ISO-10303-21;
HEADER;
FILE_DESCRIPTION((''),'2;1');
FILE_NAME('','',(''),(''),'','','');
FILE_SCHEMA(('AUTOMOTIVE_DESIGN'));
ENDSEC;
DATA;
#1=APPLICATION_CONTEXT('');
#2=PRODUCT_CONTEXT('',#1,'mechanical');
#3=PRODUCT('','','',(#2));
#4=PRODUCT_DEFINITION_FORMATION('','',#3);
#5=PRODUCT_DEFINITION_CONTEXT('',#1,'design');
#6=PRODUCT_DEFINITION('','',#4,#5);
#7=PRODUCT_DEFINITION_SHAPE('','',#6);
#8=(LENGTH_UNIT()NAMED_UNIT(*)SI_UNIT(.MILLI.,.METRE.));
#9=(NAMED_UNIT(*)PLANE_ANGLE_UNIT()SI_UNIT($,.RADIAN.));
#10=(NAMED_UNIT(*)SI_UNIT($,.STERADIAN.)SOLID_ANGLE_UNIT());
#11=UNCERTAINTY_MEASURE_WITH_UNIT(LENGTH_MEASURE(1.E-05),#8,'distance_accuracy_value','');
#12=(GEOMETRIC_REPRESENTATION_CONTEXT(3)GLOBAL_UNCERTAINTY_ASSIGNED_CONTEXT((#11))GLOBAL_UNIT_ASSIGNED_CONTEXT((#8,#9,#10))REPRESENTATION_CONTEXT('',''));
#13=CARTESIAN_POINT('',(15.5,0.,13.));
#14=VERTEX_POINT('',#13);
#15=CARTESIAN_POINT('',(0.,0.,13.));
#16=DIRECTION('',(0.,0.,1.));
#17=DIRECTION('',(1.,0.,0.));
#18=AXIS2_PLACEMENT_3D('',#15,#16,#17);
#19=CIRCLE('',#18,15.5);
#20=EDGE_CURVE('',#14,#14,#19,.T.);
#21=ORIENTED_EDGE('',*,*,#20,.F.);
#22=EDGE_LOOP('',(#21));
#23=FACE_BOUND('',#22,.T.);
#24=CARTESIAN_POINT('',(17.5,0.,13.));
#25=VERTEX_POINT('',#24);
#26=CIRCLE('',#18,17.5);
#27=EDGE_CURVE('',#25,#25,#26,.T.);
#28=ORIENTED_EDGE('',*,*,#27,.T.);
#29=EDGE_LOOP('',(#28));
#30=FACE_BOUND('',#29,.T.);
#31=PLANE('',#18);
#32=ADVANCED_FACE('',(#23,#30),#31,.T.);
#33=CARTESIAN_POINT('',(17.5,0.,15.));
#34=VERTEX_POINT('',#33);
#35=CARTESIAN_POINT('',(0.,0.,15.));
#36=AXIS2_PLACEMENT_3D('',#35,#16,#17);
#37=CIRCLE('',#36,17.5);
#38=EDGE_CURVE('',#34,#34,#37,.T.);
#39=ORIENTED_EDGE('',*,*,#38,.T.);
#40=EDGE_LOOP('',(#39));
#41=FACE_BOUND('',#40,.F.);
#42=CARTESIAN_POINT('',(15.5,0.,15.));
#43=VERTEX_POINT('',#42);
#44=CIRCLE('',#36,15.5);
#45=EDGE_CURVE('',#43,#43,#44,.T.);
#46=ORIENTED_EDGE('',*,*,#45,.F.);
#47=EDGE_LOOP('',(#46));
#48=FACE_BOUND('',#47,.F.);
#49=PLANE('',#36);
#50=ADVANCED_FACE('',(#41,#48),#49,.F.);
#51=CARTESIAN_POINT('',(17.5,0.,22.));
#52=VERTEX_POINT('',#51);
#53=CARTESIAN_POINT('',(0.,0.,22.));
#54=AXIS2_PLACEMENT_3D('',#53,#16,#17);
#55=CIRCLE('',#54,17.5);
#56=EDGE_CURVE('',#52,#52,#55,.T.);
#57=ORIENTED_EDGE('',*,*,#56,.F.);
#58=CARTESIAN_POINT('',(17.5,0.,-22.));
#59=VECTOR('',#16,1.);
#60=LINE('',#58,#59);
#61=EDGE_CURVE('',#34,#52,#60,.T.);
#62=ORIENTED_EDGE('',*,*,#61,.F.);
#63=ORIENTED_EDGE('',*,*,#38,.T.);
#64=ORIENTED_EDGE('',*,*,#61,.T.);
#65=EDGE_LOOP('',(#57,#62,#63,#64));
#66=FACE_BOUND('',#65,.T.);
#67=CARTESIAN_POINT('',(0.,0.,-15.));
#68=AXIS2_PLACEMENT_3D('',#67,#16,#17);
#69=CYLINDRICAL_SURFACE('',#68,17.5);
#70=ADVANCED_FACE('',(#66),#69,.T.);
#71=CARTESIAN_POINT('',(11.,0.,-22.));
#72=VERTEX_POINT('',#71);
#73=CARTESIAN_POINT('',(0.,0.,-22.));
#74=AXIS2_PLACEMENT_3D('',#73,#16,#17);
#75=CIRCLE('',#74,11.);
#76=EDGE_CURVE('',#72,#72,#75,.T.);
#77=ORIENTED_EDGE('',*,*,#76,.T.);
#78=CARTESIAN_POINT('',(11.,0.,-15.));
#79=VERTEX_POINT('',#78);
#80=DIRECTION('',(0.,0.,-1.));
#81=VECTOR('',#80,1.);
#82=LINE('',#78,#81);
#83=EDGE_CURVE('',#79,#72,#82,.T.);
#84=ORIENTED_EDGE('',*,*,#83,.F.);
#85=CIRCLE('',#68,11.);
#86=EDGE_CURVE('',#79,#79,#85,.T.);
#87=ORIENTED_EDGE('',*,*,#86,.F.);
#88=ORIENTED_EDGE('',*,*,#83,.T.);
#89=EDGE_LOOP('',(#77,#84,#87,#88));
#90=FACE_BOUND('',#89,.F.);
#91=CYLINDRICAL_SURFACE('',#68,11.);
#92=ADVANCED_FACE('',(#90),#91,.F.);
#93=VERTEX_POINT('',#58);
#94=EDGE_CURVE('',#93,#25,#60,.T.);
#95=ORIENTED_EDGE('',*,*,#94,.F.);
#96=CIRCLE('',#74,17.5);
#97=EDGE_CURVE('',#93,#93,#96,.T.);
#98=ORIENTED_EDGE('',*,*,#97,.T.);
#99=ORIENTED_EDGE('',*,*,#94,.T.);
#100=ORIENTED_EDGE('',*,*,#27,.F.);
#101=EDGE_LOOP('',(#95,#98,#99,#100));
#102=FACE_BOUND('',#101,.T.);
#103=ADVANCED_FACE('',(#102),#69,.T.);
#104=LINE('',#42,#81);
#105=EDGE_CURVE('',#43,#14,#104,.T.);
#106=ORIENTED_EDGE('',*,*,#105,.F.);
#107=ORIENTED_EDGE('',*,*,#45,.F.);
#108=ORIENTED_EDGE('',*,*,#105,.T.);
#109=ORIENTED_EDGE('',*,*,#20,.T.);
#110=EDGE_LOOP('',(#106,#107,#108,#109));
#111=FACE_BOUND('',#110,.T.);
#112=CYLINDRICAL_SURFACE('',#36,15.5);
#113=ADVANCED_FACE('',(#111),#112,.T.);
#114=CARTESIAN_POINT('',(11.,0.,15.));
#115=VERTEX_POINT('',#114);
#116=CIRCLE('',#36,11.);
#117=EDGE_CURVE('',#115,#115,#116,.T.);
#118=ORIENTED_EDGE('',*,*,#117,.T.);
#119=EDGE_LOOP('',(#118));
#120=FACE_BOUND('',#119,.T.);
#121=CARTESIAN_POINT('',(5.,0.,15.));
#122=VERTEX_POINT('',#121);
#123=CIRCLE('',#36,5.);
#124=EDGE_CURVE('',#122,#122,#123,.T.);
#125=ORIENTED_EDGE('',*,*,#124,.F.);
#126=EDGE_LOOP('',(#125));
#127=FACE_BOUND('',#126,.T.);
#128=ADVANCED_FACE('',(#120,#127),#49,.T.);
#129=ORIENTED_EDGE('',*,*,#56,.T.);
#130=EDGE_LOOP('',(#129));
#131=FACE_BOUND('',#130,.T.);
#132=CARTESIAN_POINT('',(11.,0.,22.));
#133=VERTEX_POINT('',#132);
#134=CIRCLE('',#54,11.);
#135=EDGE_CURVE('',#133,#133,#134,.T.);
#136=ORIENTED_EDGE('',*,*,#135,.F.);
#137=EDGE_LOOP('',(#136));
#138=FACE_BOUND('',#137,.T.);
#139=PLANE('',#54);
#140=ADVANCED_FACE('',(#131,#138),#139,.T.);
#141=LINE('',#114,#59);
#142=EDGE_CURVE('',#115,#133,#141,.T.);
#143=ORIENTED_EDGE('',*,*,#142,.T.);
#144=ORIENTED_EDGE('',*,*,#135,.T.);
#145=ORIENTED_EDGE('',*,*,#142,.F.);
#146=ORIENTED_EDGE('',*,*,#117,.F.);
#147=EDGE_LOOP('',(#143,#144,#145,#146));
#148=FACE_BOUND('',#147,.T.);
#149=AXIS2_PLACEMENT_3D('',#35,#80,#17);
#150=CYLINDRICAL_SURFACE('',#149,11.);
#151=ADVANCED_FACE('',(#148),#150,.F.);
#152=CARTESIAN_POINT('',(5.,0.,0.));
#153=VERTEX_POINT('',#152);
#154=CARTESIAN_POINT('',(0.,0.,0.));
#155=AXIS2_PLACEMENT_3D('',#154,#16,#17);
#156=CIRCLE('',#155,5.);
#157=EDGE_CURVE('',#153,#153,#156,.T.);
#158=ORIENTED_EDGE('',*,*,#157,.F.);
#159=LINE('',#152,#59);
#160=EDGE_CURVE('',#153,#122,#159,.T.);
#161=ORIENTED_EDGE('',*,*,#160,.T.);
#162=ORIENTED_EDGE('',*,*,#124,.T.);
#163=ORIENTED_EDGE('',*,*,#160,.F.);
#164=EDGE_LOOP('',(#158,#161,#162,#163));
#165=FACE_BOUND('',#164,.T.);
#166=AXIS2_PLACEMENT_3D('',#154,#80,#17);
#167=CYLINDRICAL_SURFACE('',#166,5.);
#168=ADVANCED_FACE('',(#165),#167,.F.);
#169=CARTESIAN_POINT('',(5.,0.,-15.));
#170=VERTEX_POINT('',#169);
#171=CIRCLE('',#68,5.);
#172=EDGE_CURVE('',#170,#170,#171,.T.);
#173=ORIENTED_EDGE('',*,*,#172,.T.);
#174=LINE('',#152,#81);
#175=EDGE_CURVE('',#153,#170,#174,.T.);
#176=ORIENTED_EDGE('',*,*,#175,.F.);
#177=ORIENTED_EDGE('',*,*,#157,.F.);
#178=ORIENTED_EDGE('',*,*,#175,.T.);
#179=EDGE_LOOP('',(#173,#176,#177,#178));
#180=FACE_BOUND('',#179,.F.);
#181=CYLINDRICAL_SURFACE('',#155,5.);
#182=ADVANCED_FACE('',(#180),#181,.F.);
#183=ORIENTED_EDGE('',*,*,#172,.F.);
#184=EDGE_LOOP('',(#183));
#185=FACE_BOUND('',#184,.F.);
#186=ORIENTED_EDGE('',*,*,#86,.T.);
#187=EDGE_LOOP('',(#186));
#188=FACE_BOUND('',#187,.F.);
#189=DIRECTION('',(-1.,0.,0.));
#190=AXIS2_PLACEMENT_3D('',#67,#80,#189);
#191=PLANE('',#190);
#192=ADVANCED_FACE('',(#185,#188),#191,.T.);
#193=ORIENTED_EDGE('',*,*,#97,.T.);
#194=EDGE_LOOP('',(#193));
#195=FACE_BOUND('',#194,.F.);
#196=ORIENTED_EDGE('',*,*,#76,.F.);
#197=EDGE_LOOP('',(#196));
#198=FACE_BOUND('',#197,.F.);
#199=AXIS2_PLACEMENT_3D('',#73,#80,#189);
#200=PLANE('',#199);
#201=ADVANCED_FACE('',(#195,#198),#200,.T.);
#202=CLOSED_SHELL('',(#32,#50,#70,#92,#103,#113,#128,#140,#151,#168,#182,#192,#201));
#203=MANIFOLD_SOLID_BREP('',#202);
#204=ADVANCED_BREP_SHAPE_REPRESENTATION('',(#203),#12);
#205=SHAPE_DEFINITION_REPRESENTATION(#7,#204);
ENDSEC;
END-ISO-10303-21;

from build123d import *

# Parameters (mm, degrees)
F0_R     = 17.5
F0_R_2   = 5
F1_DEPTH = 15
F2_R     = 17.5
F2_R_2   = 11
F3_DEPTH = 7
F6_R     = 17.5
F6_R_2   = 15.5
F7_DEPTH = 2


with BuildPart() as f1:
    # F0 (on Top) → F1 (new body)
    with BuildSketch(Plane.XY):
        Circle(F0_R)
        Circle(F0_R_2, mode=Mode.SUBTRACT)
    extrude(amount=F1_DEPTH)

    # F2 (on face) → F3 (join)
    with BuildSketch(Plane.XY.offset(15)):
        Circle(F2_R)
        Circle(F2_R_2, mode=Mode.SUBTRACT)
    extrude(amount=F3_DEPTH)

    # F4: F1 across plane


with BuildPart() as f1_1:
    add(f1.part)
    add(f1.part.mirror(Plane.XY))

    # F6 (on offset) → F7 (cut)
    with BuildSketch(Plane.XY.offset(15)):
        Circle(F6_R)
        Circle(F6_R_2, mode=Mode.SUBTRACT)
    extrude(amount=-F7_DEPTH, mode=Mode.SUBTRACT)


solid = f1_1.part
